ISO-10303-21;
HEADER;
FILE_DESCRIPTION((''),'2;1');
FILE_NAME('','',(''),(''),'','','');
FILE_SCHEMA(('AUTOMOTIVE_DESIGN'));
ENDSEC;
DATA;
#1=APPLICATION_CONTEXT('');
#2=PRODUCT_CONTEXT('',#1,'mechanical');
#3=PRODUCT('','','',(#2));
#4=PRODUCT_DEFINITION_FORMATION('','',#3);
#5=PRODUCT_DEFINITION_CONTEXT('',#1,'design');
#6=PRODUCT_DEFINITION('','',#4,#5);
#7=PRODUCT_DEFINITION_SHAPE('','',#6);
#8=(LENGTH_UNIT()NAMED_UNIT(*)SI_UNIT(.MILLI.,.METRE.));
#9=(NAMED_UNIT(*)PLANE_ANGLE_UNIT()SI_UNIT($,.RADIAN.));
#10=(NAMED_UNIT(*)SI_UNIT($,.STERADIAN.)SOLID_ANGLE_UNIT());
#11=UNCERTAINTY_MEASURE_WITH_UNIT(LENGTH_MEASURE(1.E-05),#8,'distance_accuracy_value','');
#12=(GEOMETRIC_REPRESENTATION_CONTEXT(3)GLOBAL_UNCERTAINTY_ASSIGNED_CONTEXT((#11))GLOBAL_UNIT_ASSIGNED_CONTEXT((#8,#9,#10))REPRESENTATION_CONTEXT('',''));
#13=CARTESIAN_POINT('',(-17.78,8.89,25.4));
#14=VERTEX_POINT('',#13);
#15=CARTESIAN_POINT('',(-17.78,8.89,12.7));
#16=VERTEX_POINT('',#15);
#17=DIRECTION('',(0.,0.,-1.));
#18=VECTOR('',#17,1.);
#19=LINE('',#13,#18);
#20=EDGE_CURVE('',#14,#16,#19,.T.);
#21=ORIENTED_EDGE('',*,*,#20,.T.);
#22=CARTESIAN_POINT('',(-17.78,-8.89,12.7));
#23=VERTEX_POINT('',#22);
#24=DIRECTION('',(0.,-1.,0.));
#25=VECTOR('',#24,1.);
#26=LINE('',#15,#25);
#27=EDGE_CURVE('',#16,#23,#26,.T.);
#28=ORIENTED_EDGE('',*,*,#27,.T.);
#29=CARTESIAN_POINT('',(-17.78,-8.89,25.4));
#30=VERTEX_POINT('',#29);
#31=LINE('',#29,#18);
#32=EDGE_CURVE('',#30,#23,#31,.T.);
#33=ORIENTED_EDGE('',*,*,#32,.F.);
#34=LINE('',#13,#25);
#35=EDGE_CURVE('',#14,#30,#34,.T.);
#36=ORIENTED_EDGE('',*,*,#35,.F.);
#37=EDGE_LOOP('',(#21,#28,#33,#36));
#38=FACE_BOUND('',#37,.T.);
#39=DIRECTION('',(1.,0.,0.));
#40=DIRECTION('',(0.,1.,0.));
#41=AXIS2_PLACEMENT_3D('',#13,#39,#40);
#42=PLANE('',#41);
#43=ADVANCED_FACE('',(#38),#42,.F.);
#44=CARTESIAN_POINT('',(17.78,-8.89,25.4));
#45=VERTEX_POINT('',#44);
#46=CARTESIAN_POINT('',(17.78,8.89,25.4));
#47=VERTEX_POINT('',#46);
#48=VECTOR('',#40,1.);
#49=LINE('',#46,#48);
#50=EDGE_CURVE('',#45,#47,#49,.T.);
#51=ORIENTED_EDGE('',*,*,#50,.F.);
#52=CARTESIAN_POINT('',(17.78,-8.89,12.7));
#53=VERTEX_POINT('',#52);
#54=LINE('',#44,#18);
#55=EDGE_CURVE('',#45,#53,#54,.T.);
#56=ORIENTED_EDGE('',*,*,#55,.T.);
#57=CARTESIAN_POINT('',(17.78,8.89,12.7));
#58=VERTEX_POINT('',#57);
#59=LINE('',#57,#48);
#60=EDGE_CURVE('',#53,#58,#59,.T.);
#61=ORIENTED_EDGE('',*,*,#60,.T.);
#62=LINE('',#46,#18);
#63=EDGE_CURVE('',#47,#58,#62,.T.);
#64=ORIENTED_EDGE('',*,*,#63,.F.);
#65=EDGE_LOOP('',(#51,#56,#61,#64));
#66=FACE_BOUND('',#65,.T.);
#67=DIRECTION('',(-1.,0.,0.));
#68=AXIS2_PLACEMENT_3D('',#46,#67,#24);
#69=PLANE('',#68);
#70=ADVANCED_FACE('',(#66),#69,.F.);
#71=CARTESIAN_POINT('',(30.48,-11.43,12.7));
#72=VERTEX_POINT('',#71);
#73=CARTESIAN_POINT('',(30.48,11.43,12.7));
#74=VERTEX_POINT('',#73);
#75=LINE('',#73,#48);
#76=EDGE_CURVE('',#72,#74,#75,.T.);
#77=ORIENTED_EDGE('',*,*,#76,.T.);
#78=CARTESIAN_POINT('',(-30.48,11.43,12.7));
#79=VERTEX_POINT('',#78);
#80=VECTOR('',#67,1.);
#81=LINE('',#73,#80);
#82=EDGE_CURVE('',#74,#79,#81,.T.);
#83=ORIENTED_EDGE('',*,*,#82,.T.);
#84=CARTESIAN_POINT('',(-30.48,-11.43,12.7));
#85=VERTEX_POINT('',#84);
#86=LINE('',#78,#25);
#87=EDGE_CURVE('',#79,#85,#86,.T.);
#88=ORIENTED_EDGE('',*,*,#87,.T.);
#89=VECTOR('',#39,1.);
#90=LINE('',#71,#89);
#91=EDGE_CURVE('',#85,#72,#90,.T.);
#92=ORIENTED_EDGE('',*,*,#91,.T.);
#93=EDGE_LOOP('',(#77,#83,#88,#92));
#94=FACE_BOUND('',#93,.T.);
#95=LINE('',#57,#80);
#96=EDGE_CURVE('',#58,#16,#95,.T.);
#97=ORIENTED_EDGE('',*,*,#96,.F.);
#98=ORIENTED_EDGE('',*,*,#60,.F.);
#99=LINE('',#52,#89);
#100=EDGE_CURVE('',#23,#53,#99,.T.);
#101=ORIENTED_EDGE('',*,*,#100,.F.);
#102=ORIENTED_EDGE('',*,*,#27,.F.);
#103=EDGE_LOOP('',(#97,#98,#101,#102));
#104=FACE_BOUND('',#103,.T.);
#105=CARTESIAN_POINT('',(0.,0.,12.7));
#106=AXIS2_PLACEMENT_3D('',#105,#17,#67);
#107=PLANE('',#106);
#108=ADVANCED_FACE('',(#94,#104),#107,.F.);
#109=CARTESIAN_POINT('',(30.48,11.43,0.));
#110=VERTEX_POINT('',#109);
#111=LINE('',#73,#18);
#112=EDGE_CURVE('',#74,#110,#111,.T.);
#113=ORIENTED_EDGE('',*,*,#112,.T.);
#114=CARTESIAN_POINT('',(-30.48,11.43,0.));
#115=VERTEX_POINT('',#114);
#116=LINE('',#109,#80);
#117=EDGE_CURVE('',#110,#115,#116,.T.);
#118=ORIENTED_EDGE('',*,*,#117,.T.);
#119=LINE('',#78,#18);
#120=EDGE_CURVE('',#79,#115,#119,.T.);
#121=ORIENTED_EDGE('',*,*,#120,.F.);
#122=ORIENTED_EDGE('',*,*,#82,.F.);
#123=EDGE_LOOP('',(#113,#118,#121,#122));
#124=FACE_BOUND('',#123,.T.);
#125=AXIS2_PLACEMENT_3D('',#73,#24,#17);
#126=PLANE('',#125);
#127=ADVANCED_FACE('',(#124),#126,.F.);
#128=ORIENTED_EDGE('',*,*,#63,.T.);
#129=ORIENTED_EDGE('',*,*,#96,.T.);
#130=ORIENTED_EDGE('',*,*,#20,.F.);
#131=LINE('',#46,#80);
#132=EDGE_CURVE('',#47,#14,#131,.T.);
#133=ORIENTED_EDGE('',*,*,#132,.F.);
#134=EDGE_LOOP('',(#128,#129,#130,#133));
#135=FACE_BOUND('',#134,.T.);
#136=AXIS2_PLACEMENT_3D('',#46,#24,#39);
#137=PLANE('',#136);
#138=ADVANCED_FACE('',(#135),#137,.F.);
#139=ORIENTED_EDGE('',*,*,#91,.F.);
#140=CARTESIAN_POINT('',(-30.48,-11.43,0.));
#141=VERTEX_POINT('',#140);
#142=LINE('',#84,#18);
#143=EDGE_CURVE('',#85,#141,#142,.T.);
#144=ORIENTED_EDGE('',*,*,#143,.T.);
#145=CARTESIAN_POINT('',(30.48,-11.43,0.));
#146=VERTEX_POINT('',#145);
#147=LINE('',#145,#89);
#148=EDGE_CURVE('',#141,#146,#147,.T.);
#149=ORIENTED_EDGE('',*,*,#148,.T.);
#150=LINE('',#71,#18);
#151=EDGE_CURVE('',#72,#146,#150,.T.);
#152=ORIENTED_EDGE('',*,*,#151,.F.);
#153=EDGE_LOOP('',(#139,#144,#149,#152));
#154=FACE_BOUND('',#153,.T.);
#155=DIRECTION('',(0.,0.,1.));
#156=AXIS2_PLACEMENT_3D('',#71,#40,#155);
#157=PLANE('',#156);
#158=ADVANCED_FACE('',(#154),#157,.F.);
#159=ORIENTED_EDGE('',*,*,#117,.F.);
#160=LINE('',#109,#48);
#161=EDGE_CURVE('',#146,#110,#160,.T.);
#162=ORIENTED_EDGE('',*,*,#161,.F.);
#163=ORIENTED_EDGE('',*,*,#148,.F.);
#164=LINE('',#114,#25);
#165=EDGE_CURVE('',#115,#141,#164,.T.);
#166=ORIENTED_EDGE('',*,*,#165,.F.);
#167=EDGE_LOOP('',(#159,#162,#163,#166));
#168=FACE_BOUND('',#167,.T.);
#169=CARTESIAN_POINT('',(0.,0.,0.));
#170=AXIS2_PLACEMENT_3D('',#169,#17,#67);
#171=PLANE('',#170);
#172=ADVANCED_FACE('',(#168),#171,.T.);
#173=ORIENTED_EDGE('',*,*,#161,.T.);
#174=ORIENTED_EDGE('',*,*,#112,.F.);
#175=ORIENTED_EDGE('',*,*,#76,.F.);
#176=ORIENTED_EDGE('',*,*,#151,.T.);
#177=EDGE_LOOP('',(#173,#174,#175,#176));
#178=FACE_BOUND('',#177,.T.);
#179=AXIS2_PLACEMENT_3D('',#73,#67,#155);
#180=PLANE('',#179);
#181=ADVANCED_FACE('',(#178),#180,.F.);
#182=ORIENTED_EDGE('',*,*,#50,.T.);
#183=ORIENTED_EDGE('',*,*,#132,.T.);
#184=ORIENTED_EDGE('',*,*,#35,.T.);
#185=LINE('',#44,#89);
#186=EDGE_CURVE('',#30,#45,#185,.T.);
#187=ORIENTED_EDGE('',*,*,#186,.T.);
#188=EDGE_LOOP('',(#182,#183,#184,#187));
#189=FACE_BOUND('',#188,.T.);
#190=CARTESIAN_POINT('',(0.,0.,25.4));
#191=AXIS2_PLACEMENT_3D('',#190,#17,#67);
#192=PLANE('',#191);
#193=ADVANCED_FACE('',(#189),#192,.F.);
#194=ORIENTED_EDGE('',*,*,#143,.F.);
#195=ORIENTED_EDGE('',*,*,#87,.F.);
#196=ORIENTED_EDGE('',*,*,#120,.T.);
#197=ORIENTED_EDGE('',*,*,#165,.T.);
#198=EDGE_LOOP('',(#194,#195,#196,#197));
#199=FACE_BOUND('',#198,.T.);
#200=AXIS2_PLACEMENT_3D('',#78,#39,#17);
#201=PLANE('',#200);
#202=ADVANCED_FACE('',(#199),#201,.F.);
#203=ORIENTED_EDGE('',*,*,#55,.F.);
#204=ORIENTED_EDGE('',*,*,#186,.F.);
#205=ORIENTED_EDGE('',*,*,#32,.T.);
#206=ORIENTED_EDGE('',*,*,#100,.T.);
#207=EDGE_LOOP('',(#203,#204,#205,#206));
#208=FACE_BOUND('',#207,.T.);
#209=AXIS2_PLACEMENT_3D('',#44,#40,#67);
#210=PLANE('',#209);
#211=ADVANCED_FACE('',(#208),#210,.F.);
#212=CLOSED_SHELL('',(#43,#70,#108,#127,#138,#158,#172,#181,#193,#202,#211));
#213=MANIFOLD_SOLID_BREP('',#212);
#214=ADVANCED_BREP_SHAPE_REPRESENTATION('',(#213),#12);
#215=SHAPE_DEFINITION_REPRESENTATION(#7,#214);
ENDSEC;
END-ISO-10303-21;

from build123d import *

# Parameters (mm, degrees)
SKETCH1_W           = 60.96
SKETCH1_H           = 22.86
BOSS_EXTRUDE1_DEPTH = 12.7
SKETCH2_W           = 35.56
SKETCH2_H           = 17.78
TEENSY_DEPTH        = 12.7


with BuildPart() as part:
    # Sketch1 → Boss-Extrude1 (new body)
    with BuildSketch(Plane.XY):
        Rectangle(SKETCH1_W, SKETCH1_H)
    extrude(amount=BOSS_EXTRUDE1_DEPTH)

    # Sketch2 → Teensy (add)
    with BuildSketch(Plane.XY.offset(12.7)):
        Rectangle(SKETCH2_W, SKETCH2_H)
    extrude(amount=TEENSY_DEPTH)


solid = part.part
